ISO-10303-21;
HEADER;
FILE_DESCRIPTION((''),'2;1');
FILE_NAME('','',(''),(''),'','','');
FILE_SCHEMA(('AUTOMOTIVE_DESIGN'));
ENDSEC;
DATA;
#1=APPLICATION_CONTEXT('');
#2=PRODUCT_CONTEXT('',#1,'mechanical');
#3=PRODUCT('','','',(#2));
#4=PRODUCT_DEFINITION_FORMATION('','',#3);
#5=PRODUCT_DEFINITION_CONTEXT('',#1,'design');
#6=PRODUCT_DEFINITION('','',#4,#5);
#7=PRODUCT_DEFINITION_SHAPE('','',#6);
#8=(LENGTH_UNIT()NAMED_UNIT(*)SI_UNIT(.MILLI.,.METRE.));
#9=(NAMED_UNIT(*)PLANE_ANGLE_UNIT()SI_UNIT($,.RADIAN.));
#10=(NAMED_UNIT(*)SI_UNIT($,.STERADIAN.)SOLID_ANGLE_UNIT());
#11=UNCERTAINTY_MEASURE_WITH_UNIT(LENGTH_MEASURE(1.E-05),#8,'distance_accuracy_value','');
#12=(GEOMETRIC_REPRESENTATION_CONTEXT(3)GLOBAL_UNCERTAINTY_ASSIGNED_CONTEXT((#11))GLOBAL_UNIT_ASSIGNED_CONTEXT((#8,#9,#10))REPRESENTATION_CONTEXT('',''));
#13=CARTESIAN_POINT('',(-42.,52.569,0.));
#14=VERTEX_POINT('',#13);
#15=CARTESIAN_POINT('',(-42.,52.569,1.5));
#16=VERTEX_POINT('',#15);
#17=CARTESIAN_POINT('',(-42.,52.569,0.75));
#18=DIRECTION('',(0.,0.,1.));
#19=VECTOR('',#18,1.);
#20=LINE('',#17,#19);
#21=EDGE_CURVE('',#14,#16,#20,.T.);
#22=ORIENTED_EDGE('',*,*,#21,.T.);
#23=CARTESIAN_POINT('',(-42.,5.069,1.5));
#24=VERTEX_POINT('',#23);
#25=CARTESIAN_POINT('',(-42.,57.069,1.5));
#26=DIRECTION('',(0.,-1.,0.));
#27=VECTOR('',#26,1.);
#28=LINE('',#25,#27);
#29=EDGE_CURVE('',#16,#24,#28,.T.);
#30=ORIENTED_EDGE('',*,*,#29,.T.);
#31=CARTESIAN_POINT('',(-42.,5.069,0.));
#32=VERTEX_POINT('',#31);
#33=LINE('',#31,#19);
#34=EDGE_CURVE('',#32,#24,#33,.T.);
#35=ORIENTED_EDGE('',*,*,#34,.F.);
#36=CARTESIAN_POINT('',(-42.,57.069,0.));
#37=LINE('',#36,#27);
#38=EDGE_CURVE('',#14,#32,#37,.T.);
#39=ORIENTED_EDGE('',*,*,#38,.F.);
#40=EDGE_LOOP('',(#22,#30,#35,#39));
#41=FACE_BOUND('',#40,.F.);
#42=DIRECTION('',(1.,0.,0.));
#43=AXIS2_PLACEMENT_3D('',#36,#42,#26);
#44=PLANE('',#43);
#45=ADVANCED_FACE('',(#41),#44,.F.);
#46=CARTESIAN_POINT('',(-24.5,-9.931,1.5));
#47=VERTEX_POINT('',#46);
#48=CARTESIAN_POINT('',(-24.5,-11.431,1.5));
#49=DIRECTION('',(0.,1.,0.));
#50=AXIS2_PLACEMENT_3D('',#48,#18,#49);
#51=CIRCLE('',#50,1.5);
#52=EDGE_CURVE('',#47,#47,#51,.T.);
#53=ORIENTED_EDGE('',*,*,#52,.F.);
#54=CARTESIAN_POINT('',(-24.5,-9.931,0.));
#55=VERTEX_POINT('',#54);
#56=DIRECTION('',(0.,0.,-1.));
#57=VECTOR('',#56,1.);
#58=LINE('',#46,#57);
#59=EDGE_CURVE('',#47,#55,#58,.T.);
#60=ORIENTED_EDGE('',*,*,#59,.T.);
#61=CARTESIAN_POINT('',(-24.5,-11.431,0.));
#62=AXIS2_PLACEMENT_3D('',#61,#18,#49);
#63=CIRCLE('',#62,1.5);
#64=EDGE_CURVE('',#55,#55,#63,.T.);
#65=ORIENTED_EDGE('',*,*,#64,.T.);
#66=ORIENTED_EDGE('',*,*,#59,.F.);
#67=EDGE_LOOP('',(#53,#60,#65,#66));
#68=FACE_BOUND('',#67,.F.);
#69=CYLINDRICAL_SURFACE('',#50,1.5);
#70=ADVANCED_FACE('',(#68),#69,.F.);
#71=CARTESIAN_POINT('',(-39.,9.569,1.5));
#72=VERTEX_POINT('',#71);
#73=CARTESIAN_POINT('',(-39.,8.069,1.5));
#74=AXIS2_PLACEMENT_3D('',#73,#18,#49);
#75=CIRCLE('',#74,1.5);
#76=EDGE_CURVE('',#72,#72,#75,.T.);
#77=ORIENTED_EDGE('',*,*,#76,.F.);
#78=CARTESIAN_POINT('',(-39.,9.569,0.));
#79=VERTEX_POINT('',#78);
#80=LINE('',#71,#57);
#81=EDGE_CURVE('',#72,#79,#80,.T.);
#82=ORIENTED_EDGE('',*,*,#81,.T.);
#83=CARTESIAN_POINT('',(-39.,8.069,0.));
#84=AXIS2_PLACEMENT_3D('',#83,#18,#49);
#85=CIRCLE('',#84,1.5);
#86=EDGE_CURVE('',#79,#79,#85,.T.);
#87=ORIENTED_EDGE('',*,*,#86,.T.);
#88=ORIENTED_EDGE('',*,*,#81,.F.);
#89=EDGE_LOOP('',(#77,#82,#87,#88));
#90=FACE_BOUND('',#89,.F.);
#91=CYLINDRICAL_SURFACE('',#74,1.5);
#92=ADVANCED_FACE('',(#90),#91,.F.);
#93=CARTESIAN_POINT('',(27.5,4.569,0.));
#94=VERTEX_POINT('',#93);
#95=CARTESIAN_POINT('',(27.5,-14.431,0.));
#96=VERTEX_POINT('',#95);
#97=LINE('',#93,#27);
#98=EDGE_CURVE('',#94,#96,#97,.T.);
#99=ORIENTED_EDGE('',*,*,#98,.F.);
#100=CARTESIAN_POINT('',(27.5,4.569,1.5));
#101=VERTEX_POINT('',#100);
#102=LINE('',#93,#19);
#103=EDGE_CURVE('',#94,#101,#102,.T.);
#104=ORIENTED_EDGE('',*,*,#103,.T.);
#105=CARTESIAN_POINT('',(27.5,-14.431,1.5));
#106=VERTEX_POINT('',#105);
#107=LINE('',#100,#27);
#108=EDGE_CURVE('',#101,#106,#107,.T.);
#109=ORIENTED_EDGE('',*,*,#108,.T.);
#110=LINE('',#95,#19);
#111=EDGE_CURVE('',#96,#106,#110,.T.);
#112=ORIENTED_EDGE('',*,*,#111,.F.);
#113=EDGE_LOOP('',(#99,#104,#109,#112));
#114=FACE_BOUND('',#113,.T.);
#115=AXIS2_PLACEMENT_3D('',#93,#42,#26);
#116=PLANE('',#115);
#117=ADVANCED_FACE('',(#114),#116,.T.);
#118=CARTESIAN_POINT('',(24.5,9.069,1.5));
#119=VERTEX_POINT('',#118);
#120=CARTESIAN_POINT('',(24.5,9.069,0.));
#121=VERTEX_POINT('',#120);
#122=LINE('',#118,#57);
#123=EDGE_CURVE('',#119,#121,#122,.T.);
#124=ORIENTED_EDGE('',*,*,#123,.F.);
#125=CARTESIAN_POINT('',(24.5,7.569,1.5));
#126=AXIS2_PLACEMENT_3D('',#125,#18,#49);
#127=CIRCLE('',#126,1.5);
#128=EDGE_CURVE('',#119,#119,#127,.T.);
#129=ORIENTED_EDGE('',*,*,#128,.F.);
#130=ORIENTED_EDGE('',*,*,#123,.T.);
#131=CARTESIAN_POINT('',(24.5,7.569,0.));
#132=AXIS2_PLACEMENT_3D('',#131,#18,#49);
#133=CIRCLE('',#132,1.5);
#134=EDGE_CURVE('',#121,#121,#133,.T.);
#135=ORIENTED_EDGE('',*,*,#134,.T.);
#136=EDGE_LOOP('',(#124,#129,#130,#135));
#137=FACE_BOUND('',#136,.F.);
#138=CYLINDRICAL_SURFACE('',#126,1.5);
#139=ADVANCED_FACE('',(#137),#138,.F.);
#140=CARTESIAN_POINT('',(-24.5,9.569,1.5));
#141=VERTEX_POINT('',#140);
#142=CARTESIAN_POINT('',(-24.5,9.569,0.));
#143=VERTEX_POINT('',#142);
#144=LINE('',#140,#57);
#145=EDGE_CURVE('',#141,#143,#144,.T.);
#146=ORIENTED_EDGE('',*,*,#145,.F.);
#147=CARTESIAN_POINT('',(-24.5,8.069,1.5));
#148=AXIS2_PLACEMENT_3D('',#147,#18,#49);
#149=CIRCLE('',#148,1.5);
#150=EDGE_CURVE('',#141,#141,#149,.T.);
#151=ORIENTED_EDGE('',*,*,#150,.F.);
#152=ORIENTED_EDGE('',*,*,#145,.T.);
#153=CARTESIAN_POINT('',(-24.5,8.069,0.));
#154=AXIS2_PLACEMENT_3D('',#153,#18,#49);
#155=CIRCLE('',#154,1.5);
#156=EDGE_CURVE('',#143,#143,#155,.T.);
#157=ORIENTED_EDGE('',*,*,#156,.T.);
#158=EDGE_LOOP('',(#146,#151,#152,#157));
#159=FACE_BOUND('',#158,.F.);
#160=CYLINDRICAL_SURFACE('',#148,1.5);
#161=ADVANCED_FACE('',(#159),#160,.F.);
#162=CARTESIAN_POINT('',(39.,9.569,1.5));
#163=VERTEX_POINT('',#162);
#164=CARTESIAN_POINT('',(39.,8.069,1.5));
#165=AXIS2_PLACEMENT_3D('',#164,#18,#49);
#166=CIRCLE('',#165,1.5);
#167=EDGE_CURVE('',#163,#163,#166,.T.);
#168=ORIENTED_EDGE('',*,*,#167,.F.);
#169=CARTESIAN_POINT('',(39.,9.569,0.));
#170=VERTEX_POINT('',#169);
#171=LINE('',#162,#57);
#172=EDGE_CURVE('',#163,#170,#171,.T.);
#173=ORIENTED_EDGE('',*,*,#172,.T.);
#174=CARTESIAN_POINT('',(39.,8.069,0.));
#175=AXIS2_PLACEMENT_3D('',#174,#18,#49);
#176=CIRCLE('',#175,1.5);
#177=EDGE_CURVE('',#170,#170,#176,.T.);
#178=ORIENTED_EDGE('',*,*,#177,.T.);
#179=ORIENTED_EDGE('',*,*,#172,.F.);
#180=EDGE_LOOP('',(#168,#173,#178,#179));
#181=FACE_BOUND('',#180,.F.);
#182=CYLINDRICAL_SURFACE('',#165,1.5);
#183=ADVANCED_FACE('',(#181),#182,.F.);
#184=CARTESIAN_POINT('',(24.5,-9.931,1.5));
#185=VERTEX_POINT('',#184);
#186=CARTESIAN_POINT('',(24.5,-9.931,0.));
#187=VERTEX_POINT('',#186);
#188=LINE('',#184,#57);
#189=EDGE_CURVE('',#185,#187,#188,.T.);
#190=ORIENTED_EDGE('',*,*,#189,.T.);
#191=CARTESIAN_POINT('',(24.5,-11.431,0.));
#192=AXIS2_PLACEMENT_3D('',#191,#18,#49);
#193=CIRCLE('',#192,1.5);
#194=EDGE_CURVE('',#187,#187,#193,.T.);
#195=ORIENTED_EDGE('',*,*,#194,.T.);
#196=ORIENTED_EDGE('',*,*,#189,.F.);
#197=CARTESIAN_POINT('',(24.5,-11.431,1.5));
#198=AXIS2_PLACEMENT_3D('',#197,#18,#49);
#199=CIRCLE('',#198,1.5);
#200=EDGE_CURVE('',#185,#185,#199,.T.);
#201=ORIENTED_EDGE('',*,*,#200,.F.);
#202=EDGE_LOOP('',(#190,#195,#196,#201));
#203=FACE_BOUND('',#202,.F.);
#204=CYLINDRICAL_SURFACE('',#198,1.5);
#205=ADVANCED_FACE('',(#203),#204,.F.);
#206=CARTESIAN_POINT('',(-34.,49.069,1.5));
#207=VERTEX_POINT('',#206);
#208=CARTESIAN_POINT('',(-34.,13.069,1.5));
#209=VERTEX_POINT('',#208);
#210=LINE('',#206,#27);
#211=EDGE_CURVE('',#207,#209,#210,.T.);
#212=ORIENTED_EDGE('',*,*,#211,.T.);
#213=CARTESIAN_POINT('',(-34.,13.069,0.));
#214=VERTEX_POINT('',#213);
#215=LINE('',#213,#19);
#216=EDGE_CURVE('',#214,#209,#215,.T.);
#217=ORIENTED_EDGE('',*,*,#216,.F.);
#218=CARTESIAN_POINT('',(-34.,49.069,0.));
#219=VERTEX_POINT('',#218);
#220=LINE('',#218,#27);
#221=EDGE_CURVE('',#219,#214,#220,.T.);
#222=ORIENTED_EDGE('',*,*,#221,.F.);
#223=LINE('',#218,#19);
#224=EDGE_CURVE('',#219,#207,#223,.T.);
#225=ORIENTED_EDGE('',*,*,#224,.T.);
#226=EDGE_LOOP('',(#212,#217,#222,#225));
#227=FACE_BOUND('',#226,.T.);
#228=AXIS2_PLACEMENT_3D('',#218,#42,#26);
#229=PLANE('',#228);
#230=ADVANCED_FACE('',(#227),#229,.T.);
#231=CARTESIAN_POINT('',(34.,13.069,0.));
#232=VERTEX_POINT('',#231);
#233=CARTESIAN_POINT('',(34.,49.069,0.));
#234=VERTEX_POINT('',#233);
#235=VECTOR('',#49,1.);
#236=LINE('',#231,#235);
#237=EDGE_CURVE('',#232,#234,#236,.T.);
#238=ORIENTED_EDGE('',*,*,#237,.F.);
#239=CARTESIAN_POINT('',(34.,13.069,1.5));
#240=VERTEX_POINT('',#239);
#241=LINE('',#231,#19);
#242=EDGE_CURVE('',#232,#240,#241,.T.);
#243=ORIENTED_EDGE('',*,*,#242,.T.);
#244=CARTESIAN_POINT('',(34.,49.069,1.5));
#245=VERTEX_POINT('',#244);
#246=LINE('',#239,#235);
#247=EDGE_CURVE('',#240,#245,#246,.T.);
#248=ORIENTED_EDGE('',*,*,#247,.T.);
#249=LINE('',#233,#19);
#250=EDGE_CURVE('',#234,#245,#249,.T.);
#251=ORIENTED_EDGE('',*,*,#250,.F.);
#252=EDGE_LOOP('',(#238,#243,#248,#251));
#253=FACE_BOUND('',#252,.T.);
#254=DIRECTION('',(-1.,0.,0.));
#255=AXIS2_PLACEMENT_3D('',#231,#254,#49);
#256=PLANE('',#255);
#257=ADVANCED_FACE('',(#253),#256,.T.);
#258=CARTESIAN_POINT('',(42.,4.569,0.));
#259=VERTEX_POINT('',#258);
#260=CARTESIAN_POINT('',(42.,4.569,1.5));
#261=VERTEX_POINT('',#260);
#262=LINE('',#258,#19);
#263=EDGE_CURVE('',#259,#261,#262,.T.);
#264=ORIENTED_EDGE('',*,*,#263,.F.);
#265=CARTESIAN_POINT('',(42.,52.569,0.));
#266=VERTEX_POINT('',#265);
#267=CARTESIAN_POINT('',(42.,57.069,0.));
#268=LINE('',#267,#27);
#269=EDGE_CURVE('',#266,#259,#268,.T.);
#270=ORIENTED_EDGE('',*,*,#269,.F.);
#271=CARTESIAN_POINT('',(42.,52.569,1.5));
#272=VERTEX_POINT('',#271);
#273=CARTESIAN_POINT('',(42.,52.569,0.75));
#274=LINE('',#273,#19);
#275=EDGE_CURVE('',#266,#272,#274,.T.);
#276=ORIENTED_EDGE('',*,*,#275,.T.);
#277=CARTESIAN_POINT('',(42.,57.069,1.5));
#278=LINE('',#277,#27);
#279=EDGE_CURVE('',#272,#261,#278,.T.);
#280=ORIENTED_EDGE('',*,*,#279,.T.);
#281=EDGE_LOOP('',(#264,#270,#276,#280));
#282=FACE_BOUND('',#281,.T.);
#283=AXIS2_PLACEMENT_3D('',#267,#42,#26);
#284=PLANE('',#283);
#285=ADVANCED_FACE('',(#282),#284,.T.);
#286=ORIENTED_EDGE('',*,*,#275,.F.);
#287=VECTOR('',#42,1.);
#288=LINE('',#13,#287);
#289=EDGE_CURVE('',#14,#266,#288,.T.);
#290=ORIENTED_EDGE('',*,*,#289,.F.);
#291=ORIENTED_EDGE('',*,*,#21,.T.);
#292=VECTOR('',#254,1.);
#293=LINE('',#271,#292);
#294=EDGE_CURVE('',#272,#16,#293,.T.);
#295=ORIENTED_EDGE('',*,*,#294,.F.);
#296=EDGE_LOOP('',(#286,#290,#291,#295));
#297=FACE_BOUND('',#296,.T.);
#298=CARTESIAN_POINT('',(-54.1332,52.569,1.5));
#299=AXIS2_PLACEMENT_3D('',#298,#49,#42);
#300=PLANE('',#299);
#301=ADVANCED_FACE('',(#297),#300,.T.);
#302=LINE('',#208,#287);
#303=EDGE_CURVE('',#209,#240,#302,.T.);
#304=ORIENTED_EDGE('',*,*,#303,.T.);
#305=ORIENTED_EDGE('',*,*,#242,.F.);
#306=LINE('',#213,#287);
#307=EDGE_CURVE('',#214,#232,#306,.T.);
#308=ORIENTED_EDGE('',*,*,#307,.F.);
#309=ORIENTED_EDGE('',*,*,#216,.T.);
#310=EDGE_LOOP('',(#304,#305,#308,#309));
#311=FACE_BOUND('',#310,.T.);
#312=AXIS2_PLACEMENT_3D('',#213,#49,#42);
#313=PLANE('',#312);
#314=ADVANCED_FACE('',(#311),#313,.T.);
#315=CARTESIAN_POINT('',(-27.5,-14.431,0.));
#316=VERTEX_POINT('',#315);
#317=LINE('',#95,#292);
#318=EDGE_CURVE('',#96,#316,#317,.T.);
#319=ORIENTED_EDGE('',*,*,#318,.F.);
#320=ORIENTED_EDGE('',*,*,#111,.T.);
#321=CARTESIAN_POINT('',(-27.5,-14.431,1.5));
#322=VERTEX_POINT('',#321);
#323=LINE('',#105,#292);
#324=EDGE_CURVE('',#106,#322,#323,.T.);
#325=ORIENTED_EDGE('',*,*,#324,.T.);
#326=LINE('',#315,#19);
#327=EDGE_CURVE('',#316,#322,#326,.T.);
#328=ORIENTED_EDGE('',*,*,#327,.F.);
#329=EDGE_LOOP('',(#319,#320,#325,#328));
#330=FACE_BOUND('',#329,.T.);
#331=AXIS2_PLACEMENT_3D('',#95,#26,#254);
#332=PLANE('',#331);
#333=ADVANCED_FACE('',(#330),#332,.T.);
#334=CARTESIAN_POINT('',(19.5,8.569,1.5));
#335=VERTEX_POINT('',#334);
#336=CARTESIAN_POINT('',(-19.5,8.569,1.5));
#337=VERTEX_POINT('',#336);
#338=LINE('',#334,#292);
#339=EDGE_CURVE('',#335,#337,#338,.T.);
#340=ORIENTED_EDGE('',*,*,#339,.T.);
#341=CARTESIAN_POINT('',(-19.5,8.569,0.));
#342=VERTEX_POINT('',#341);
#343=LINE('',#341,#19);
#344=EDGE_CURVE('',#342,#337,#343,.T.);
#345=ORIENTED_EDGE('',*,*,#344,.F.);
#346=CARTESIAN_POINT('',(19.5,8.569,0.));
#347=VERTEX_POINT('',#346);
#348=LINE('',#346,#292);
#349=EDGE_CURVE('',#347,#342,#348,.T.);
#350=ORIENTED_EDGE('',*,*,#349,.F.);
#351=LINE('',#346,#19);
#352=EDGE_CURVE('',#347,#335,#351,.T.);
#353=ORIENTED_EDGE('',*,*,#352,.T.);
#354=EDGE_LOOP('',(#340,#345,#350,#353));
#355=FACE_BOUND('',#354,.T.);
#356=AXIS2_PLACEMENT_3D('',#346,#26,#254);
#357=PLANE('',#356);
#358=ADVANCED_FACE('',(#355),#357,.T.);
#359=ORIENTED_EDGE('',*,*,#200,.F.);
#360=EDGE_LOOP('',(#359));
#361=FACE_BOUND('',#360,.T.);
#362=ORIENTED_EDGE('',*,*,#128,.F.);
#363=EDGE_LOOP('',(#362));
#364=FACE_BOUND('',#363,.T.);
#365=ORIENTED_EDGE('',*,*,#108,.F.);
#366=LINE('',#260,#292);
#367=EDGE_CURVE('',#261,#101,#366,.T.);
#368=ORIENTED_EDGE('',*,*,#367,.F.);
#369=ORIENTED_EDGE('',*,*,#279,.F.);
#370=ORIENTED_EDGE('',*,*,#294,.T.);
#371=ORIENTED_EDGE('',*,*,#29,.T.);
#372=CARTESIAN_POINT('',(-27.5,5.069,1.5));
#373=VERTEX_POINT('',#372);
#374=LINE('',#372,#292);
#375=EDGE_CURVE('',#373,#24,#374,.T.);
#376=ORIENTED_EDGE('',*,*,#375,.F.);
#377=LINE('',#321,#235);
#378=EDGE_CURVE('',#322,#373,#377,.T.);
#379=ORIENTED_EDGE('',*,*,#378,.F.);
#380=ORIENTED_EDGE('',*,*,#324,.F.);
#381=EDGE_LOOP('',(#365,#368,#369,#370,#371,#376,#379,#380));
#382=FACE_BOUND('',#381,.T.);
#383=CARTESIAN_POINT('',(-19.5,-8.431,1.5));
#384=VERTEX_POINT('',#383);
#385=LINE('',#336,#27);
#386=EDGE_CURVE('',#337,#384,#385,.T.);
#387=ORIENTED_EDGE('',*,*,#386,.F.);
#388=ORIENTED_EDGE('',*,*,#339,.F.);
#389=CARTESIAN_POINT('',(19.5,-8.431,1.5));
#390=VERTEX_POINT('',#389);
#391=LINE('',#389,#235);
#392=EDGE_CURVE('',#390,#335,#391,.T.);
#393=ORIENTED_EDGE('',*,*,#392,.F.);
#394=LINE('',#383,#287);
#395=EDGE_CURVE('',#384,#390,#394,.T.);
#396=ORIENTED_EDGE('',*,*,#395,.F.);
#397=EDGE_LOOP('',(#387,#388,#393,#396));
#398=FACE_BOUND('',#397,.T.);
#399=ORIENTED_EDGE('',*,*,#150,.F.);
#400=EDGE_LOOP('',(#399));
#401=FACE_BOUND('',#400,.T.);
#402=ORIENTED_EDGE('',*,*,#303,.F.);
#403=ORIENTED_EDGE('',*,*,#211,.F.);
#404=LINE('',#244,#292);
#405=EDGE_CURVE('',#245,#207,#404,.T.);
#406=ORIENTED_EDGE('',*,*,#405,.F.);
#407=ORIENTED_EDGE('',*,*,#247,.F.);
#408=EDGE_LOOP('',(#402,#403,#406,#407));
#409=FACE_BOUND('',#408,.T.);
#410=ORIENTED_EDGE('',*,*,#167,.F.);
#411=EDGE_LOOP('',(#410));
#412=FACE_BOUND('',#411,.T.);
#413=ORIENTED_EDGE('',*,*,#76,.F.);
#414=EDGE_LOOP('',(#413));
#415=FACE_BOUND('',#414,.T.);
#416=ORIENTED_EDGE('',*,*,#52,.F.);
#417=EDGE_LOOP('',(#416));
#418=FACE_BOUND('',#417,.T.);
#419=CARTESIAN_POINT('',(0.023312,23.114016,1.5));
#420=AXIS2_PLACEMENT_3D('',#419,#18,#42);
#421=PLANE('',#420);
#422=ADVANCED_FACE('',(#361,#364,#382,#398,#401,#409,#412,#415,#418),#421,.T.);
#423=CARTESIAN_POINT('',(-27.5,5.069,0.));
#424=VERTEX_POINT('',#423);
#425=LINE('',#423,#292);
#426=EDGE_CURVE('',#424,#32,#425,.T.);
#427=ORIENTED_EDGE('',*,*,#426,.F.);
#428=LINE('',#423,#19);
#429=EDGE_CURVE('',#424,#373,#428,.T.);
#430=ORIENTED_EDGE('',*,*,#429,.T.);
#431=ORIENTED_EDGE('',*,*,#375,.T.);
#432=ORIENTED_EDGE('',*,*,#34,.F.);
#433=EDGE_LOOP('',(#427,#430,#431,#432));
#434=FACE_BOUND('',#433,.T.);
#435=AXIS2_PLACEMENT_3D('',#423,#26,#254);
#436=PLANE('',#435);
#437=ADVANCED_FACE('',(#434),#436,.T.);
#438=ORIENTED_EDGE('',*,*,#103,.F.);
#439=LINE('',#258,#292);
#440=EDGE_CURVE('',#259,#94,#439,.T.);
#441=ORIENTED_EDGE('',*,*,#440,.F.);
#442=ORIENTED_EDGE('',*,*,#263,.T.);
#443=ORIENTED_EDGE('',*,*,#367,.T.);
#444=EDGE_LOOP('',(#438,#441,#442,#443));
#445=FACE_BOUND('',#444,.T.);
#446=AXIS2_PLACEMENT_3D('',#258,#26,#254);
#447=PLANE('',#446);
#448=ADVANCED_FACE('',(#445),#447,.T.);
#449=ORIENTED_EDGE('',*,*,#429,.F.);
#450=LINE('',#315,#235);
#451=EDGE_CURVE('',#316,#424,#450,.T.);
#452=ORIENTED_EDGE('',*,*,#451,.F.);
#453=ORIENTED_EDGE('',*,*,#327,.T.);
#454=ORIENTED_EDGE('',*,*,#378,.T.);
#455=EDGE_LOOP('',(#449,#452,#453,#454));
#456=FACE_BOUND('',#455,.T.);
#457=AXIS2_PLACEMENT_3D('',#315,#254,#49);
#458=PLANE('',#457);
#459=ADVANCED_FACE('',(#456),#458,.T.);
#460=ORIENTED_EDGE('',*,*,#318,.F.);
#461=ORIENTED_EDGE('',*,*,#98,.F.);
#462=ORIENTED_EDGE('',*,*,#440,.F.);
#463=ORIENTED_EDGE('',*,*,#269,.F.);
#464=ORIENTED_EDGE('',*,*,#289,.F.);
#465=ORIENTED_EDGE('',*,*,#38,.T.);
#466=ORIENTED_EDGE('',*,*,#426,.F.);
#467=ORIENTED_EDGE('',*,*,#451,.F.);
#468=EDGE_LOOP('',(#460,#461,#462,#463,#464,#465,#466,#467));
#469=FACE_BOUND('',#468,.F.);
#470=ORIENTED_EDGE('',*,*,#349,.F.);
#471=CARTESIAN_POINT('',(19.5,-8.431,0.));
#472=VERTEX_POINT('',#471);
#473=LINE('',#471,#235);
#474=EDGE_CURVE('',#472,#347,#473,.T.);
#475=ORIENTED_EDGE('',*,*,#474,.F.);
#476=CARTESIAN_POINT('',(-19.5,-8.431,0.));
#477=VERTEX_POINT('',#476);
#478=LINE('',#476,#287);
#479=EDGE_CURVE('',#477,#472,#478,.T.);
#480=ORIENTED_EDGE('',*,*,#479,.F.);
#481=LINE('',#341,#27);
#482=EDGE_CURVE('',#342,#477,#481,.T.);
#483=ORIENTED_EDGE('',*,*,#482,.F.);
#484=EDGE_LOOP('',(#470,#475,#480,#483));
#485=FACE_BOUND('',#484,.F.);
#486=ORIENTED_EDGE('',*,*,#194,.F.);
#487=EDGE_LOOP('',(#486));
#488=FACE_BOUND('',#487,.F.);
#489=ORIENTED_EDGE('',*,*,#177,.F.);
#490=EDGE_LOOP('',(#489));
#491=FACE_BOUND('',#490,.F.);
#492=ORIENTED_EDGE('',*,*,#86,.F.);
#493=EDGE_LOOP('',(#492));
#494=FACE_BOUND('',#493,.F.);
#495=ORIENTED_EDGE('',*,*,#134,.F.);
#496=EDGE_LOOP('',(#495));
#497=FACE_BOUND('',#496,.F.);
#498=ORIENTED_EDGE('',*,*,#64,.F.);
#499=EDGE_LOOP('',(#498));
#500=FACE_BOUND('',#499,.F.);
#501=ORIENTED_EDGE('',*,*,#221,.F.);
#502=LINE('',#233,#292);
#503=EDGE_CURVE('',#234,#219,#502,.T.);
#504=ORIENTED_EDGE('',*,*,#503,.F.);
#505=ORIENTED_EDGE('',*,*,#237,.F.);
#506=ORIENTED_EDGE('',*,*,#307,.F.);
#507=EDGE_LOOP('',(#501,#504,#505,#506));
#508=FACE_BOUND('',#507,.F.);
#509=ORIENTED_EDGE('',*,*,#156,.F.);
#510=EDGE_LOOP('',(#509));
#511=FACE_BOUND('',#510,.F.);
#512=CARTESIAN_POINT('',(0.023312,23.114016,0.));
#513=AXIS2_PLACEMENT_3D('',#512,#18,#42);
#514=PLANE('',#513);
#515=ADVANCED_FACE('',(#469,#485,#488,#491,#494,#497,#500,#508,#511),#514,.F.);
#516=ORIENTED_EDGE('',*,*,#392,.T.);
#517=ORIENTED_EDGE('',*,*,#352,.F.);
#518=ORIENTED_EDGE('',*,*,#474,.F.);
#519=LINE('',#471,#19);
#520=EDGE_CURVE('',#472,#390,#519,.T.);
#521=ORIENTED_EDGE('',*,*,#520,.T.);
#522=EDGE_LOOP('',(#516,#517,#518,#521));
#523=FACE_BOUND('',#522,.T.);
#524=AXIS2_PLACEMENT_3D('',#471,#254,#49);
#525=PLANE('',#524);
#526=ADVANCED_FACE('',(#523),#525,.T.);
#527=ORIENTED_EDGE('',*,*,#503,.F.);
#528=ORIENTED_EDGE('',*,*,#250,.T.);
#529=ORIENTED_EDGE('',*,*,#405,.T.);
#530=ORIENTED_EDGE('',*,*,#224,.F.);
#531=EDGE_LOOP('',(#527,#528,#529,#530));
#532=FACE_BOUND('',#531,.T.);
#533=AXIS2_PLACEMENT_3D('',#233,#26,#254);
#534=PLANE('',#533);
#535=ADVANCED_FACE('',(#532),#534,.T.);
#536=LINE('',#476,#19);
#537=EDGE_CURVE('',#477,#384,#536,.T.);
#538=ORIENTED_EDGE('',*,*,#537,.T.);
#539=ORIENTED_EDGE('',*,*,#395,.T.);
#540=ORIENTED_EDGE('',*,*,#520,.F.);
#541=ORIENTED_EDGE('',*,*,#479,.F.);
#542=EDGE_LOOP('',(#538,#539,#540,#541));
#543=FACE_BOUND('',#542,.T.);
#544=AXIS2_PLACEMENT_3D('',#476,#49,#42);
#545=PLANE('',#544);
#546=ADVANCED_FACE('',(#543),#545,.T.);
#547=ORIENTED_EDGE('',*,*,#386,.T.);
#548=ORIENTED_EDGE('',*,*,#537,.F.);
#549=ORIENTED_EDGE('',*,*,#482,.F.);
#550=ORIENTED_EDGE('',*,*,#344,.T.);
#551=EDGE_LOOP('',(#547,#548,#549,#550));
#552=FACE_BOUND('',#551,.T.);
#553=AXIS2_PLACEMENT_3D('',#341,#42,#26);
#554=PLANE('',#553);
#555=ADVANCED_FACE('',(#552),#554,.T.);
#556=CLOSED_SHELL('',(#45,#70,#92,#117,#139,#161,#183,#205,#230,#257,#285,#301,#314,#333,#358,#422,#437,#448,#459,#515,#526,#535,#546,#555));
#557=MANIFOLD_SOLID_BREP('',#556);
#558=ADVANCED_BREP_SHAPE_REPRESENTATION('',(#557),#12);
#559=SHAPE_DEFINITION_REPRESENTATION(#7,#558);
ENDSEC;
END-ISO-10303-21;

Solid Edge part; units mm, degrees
sketch "Sketch1" plane through (0, 0, 0) normal (0, 0, 1) x (1, 0, 0)
  line L0 (-34, 13.069) -> (34, 13.069)
  line L1 (34, 13.069) -> (34, 49.069)
  line L2 (34, 49.069) -> (-34, 49.069)
  line L3 (-34, 49.069) -> (-34, 13.069)
  line L4 (-19.5, -8.431) -> (19.5, -8.431)
  line L5 (19.5, -8.431) -> (19.5, 8.569)
  line L6 (19.5, 8.569) -> (-19.5, 8.569)
  line L7 (-19.5, 8.569) -> (-19.5, -8.431)
  line L8 (-42, 57.069) -> (-42, 5.069)
  line L9 (-27.5, 5.069) -> (-42, 5.069)
  line L10 (-27.5, -14.431) -> (-27.5, 5.069)
  line L11 (27.5, -14.431) -> (-27.5, -14.431)
  line L12 (27.5, 4.569) -> (27.5, -14.431)
  line L13 (42, 4.569) -> (27.5, 4.569)
  line L14 (42, 57.069) -> (42, 4.569)
  line L15 (-42, 57.069) -> (42, 57.069)
  dimension "D1" = 34
extrude "Protrusion1" add sketch "Sketch1" along normal blind 1.5
sketch "Sketch2" plane through (0, 21.319, 1.5) normal (0, 0, 1) x (0, 1, 0)
  circle A0 centre (-32.75, 24.5) radius 1.5
  circle A1 centre (-32.75, -24.5) radius 1.5
  circle A2 centre (-13.75, -24.5) radius 1.5
  circle A3 centre (-13.25, 24.5) radius 1.5
  circle A4 centre (-13.25, 39) radius 1.5
  circle A5 centre (32.75, 39) radius 1.5
  circle A6 centre (32.75, -39) radius 1.5
  circle A7 centre (-13.25, -39) radius 1.5
  dimension "D1" = 32.75
  dimension "D2" = 32.75
extrude "VaciadoExtruido_29" cut sketch "Sketch2" along normal mid plane 284.5521
sketch "Sketch3" plane through (0, 21.319, 1.5) normal (0, 0, 1) x (0, 1, 0)
  line L0 (31.25, 54.1332) -> (31.25, -56.2447)
  spline S0 degree 3 poles (31.25, 54.1332) (126.4959, 79.9552) (115.951, -69.9426) (31.25, -56.2447) knots 0 0 0 0 1 1 1 1
extrude "VaciadoExtruido_30" cut sketch "Sketch3" along normal mid plane 225.2682
